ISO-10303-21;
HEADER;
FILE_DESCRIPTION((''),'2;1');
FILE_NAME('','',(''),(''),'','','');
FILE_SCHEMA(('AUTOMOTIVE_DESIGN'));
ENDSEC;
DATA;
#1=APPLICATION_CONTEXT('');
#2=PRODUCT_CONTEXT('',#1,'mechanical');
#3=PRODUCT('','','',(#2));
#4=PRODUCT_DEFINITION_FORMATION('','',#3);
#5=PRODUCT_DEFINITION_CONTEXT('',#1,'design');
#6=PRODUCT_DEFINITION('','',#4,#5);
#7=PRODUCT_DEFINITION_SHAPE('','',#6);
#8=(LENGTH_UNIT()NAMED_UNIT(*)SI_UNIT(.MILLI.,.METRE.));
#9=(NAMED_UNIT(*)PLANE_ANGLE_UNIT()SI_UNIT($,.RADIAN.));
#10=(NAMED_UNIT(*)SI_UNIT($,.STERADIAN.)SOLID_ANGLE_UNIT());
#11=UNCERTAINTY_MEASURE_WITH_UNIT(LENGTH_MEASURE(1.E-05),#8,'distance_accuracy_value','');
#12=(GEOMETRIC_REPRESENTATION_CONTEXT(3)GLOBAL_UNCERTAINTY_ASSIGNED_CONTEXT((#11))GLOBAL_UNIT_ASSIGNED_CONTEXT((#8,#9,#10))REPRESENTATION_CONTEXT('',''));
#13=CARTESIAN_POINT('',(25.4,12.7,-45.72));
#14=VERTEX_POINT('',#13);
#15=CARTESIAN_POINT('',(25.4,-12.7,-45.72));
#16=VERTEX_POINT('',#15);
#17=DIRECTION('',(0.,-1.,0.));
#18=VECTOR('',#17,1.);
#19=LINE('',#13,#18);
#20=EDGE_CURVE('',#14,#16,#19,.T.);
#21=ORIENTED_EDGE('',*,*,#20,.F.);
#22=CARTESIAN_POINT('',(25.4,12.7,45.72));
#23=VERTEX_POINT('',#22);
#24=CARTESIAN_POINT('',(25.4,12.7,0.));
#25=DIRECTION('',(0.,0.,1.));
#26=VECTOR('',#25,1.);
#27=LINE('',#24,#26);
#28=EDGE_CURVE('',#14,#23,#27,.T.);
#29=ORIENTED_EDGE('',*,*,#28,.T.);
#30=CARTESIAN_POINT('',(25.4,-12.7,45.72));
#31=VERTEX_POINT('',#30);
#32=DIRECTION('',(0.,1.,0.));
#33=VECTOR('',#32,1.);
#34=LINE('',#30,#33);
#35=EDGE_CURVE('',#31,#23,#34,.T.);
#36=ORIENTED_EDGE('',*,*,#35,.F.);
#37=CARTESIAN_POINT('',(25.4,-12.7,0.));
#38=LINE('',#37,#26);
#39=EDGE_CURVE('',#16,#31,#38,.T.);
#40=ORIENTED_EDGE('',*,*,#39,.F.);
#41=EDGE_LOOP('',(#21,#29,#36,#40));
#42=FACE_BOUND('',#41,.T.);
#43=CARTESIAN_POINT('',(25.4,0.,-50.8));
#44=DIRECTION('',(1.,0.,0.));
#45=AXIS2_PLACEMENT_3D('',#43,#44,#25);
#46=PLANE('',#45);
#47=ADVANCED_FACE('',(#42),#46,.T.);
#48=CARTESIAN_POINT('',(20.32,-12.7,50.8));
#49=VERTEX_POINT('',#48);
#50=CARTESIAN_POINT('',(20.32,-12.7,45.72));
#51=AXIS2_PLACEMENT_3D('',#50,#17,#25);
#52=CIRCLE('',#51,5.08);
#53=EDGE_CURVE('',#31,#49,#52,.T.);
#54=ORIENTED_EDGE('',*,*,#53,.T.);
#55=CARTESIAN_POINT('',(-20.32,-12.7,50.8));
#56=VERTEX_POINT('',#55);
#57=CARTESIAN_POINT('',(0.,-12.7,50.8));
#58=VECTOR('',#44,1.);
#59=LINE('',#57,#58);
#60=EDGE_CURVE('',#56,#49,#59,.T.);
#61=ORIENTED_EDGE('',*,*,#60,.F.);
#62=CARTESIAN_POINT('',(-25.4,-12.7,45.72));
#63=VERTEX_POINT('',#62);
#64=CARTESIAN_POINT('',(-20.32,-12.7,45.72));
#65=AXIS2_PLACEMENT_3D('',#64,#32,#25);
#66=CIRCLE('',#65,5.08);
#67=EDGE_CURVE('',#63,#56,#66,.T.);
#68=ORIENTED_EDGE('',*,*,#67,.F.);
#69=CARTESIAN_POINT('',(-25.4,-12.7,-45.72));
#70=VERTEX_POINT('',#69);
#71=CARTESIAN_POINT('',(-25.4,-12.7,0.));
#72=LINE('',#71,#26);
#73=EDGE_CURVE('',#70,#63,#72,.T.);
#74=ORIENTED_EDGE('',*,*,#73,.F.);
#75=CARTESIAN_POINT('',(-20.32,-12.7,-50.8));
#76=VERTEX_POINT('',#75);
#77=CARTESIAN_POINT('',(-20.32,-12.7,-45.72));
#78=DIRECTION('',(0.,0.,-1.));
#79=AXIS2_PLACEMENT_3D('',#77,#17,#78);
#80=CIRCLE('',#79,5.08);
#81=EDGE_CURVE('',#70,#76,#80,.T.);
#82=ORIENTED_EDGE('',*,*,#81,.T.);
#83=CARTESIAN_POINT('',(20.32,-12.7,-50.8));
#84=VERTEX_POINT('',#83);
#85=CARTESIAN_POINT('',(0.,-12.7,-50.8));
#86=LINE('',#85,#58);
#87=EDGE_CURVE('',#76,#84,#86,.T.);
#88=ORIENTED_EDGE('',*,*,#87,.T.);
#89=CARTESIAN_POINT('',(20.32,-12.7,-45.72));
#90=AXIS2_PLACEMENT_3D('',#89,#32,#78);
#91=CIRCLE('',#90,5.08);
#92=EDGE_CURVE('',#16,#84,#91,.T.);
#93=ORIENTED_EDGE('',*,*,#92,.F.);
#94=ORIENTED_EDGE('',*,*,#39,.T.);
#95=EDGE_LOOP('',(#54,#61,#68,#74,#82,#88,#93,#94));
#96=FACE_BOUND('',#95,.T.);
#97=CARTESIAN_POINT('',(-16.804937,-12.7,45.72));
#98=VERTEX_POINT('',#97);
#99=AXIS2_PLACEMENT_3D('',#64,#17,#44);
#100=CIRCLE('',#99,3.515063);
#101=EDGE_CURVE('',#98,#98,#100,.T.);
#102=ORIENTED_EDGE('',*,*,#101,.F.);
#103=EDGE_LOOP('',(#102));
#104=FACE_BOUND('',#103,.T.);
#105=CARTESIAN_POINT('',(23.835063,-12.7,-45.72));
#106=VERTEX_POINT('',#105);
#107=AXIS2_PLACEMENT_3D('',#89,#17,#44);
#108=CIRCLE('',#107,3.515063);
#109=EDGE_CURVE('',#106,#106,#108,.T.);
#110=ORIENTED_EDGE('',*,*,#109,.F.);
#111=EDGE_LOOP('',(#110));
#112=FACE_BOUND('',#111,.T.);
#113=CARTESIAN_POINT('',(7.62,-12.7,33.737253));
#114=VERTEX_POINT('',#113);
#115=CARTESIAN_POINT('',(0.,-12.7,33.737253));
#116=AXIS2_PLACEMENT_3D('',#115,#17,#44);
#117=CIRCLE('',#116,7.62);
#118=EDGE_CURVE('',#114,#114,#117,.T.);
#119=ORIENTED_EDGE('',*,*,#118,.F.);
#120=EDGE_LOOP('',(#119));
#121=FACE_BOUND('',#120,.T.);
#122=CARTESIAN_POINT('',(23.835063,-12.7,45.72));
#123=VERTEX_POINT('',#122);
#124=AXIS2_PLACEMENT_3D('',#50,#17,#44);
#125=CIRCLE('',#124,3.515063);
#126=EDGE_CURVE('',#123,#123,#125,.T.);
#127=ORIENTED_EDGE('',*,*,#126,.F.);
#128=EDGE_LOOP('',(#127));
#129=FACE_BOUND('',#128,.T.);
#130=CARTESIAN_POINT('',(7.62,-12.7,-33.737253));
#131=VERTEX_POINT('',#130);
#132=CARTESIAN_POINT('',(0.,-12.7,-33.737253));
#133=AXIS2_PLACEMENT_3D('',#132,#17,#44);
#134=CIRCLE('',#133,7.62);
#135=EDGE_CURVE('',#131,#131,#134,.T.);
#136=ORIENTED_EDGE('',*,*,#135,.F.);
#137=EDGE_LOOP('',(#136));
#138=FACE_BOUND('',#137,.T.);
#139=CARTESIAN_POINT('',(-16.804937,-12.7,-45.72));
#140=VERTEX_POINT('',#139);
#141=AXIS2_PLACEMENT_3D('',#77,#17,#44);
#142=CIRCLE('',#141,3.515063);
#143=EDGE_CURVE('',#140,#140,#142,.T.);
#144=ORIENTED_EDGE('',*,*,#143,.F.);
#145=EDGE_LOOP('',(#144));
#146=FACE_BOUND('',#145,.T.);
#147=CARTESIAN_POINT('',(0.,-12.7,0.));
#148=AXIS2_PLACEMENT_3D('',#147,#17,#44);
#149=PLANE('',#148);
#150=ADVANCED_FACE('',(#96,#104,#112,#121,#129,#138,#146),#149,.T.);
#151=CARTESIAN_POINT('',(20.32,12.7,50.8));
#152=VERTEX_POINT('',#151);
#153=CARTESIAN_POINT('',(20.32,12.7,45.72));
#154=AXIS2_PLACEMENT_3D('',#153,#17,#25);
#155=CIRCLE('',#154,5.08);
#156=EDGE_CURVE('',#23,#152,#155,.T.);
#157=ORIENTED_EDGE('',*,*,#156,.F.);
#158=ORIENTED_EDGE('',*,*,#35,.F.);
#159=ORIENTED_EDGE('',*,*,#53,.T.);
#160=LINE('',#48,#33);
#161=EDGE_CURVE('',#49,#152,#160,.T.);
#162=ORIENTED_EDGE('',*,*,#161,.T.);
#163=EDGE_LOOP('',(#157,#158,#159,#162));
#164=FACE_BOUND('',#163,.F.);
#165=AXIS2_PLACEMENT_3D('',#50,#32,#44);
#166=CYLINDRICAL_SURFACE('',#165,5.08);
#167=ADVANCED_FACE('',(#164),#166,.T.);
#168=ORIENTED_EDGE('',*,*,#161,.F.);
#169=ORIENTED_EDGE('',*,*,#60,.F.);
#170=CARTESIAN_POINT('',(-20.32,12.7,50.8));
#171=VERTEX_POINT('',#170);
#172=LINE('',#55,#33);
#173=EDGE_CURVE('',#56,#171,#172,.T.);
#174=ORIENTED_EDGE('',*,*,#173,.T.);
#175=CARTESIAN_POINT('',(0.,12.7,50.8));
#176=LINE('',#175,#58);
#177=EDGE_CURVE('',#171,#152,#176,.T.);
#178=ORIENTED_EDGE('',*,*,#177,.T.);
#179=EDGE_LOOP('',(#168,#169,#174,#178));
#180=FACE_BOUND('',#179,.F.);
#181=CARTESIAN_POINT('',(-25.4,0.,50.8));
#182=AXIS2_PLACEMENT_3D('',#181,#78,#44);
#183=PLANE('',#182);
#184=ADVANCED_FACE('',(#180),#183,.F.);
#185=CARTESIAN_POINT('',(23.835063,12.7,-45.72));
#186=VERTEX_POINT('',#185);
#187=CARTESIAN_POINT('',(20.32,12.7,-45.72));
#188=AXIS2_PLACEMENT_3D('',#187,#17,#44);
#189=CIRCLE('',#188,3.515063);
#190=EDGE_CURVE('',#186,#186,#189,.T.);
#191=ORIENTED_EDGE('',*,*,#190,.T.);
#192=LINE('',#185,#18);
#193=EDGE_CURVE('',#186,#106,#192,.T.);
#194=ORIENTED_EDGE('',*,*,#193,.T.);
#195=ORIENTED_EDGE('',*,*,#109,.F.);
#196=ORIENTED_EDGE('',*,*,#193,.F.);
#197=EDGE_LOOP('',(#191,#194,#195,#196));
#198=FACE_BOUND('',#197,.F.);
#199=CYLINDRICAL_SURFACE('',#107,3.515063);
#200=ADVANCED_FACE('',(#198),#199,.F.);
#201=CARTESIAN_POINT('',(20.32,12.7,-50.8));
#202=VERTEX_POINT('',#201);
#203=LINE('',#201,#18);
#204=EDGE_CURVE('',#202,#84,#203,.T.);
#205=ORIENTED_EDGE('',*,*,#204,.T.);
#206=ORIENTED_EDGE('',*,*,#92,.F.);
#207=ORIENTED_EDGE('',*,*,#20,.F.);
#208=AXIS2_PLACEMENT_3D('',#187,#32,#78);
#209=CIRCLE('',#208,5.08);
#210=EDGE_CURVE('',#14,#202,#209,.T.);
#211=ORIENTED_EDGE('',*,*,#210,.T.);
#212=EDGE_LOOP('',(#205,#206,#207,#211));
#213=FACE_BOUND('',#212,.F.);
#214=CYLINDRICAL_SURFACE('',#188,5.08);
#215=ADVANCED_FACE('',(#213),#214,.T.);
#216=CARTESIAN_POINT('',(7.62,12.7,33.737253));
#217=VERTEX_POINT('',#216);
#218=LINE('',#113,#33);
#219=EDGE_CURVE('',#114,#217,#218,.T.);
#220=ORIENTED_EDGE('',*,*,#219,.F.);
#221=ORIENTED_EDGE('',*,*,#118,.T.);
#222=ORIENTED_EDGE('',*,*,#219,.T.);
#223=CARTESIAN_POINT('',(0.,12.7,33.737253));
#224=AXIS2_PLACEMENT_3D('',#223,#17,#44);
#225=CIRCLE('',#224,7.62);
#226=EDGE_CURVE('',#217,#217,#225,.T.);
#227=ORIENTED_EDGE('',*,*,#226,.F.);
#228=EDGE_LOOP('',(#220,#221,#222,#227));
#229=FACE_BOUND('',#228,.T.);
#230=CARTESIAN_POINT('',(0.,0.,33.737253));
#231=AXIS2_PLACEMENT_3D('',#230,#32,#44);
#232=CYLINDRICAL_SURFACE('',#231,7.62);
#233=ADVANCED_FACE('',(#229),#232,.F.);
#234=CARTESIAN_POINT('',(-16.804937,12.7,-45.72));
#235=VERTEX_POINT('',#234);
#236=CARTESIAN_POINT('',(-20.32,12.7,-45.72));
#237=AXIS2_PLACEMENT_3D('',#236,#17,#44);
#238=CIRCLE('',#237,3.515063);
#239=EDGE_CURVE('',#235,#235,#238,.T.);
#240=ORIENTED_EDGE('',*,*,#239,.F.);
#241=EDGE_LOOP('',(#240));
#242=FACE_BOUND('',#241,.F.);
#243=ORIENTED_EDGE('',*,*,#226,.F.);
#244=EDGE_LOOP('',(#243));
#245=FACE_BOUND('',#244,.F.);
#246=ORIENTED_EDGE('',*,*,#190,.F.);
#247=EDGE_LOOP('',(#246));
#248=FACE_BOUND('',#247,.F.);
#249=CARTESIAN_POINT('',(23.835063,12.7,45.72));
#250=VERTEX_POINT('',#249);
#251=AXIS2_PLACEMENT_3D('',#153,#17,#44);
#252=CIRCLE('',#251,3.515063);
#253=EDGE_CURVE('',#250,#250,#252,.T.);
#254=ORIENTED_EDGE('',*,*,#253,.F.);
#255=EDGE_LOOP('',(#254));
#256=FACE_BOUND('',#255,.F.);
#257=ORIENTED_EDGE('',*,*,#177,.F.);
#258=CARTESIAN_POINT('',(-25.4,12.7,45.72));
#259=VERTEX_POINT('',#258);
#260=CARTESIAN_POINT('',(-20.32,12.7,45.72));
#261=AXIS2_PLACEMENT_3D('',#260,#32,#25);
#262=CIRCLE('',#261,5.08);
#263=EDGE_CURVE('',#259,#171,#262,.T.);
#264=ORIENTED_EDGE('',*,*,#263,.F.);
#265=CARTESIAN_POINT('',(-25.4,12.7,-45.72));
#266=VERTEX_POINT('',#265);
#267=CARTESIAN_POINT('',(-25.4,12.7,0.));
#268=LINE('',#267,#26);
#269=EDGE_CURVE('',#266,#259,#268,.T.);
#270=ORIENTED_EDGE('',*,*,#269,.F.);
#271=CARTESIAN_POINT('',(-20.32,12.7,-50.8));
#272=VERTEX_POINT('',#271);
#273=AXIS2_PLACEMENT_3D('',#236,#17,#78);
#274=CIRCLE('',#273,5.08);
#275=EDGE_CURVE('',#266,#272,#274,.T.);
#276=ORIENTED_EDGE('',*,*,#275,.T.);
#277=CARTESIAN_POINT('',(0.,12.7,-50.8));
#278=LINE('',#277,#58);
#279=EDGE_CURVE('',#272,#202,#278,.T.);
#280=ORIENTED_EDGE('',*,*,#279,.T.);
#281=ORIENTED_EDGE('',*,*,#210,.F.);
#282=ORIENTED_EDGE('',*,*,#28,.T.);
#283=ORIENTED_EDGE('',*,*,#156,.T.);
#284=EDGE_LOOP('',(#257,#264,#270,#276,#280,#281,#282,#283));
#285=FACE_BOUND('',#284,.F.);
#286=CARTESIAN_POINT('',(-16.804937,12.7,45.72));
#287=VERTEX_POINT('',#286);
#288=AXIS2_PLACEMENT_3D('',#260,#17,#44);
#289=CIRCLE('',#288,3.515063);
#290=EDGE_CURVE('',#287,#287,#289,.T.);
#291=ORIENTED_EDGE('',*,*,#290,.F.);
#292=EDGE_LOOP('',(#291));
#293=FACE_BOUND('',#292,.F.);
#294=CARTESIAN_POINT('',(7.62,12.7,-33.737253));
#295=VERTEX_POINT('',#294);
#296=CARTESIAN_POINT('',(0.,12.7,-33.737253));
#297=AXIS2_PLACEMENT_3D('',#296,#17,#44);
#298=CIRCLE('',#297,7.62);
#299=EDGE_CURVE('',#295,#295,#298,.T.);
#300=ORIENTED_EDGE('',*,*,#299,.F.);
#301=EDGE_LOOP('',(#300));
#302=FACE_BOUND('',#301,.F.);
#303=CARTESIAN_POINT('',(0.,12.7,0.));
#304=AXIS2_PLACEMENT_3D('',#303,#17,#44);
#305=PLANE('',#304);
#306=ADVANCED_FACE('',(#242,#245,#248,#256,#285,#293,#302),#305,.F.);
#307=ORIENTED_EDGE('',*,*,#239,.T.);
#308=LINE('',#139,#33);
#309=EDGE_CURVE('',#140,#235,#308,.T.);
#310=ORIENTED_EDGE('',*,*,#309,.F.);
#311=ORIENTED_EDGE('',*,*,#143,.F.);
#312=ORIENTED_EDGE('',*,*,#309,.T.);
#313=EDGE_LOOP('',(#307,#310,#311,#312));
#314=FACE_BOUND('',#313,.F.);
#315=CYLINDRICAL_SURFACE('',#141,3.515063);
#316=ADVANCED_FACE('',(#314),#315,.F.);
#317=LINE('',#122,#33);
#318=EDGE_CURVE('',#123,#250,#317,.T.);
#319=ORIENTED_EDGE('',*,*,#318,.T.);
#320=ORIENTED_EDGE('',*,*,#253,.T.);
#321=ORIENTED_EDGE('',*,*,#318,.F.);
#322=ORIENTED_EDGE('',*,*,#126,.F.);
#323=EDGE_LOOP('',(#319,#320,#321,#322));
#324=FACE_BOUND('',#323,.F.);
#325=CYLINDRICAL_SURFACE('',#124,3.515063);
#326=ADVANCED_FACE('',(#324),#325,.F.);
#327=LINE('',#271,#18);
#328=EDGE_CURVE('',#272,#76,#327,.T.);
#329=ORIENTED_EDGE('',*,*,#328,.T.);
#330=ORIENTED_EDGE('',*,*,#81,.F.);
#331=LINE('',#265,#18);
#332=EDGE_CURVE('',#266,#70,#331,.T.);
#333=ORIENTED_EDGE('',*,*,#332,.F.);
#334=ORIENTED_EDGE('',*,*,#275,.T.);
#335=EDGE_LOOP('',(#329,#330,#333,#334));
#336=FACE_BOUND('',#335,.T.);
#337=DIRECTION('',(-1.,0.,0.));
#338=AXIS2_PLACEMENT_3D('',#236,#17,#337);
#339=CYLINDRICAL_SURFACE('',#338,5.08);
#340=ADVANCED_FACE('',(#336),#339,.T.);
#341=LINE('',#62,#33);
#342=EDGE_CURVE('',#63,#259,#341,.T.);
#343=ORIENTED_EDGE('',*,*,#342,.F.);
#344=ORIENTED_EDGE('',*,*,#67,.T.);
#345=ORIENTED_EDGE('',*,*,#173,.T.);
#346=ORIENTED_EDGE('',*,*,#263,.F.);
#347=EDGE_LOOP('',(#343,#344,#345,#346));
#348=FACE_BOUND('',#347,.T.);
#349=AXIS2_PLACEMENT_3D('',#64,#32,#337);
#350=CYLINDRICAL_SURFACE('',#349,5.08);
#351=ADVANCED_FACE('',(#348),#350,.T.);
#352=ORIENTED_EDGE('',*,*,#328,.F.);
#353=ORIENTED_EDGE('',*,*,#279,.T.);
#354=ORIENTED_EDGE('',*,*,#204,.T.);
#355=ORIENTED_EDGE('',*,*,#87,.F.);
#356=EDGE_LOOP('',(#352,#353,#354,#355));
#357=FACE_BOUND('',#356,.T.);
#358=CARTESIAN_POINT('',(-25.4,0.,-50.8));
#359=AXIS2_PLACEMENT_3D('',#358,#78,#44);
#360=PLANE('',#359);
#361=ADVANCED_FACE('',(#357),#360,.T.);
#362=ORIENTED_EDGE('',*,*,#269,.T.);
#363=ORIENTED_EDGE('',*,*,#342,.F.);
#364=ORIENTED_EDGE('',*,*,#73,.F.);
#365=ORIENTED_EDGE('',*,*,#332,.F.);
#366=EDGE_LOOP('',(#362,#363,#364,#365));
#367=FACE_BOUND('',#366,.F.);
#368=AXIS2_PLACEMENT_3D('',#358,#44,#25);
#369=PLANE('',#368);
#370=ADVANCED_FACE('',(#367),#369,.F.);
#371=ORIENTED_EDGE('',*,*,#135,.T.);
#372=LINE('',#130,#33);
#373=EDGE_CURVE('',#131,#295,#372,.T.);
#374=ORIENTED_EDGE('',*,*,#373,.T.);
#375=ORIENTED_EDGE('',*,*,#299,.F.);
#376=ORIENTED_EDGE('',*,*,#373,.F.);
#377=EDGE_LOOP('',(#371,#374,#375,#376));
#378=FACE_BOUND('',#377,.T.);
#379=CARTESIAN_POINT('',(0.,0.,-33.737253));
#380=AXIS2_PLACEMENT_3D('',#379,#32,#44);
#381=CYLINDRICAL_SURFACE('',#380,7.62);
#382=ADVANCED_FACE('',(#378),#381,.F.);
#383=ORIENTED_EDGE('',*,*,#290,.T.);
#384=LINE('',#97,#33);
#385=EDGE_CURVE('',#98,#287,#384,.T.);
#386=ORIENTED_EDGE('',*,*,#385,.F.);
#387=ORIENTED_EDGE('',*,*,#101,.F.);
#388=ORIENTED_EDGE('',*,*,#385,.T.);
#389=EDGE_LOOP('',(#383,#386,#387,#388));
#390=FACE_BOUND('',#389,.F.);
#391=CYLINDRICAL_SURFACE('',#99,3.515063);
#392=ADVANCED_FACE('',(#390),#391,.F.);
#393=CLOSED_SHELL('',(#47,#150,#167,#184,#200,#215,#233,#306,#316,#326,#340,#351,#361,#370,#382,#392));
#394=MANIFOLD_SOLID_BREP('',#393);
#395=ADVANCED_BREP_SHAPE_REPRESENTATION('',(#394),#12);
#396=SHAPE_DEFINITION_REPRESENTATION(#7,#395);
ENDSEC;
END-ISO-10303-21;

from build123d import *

# Parameters (mm, degrees)
F0_W     = 50.8
F0_H     = 101.6
F0_R     = 7.62
F1_DEPTH = 12.7
F2_R     = 5.08
F3_R     = 3.515063
F4_DEPTH = 25.4


with BuildPart() as f1:
    # F0 (on Front) → F1 (new body, symmetric)
    with BuildSketch(Plane.XZ):
        Rectangle(F0_W, F0_H)
        with Locations((0, -33.737253)):
            Circle(F0_R, mode=Mode.SUBTRACT)
        with Locations((0, 33.737253)):
            Circle(F0_R, mode=Mode.SUBTRACT)
    extrude(amount=F1_DEPTH, both=True)

    # F2
    f2_edges = [f1.edges().sort_by_distance(p)[0] for p in [
        (25.4, 0, -50.8),
        (-25.4, 0, -50.8),
        (25.4, 0, 50.8),
        (-25.4, 0, 50.8),
    ]]
    fillet(f2_edges, radius=F2_R)

    # F3 (on face) → F4 (cut, symmetric)
    with BuildSketch(Plane.XZ.offset(12.7)):
        with Locations((-20.32, 45.72)):
            Circle(F3_R)
        with Locations((-20.32, -45.72)):
            Circle(F3_R)
        with Locations((20.32, 45.72)):
            Circle(F3_R)
        with Locations((20.32, -45.72)):
            Circle(F3_R)
    extrude(amount=F4_DEPTH, both=True, mode=Mode.SUBTRACT)


solid = f1.part
